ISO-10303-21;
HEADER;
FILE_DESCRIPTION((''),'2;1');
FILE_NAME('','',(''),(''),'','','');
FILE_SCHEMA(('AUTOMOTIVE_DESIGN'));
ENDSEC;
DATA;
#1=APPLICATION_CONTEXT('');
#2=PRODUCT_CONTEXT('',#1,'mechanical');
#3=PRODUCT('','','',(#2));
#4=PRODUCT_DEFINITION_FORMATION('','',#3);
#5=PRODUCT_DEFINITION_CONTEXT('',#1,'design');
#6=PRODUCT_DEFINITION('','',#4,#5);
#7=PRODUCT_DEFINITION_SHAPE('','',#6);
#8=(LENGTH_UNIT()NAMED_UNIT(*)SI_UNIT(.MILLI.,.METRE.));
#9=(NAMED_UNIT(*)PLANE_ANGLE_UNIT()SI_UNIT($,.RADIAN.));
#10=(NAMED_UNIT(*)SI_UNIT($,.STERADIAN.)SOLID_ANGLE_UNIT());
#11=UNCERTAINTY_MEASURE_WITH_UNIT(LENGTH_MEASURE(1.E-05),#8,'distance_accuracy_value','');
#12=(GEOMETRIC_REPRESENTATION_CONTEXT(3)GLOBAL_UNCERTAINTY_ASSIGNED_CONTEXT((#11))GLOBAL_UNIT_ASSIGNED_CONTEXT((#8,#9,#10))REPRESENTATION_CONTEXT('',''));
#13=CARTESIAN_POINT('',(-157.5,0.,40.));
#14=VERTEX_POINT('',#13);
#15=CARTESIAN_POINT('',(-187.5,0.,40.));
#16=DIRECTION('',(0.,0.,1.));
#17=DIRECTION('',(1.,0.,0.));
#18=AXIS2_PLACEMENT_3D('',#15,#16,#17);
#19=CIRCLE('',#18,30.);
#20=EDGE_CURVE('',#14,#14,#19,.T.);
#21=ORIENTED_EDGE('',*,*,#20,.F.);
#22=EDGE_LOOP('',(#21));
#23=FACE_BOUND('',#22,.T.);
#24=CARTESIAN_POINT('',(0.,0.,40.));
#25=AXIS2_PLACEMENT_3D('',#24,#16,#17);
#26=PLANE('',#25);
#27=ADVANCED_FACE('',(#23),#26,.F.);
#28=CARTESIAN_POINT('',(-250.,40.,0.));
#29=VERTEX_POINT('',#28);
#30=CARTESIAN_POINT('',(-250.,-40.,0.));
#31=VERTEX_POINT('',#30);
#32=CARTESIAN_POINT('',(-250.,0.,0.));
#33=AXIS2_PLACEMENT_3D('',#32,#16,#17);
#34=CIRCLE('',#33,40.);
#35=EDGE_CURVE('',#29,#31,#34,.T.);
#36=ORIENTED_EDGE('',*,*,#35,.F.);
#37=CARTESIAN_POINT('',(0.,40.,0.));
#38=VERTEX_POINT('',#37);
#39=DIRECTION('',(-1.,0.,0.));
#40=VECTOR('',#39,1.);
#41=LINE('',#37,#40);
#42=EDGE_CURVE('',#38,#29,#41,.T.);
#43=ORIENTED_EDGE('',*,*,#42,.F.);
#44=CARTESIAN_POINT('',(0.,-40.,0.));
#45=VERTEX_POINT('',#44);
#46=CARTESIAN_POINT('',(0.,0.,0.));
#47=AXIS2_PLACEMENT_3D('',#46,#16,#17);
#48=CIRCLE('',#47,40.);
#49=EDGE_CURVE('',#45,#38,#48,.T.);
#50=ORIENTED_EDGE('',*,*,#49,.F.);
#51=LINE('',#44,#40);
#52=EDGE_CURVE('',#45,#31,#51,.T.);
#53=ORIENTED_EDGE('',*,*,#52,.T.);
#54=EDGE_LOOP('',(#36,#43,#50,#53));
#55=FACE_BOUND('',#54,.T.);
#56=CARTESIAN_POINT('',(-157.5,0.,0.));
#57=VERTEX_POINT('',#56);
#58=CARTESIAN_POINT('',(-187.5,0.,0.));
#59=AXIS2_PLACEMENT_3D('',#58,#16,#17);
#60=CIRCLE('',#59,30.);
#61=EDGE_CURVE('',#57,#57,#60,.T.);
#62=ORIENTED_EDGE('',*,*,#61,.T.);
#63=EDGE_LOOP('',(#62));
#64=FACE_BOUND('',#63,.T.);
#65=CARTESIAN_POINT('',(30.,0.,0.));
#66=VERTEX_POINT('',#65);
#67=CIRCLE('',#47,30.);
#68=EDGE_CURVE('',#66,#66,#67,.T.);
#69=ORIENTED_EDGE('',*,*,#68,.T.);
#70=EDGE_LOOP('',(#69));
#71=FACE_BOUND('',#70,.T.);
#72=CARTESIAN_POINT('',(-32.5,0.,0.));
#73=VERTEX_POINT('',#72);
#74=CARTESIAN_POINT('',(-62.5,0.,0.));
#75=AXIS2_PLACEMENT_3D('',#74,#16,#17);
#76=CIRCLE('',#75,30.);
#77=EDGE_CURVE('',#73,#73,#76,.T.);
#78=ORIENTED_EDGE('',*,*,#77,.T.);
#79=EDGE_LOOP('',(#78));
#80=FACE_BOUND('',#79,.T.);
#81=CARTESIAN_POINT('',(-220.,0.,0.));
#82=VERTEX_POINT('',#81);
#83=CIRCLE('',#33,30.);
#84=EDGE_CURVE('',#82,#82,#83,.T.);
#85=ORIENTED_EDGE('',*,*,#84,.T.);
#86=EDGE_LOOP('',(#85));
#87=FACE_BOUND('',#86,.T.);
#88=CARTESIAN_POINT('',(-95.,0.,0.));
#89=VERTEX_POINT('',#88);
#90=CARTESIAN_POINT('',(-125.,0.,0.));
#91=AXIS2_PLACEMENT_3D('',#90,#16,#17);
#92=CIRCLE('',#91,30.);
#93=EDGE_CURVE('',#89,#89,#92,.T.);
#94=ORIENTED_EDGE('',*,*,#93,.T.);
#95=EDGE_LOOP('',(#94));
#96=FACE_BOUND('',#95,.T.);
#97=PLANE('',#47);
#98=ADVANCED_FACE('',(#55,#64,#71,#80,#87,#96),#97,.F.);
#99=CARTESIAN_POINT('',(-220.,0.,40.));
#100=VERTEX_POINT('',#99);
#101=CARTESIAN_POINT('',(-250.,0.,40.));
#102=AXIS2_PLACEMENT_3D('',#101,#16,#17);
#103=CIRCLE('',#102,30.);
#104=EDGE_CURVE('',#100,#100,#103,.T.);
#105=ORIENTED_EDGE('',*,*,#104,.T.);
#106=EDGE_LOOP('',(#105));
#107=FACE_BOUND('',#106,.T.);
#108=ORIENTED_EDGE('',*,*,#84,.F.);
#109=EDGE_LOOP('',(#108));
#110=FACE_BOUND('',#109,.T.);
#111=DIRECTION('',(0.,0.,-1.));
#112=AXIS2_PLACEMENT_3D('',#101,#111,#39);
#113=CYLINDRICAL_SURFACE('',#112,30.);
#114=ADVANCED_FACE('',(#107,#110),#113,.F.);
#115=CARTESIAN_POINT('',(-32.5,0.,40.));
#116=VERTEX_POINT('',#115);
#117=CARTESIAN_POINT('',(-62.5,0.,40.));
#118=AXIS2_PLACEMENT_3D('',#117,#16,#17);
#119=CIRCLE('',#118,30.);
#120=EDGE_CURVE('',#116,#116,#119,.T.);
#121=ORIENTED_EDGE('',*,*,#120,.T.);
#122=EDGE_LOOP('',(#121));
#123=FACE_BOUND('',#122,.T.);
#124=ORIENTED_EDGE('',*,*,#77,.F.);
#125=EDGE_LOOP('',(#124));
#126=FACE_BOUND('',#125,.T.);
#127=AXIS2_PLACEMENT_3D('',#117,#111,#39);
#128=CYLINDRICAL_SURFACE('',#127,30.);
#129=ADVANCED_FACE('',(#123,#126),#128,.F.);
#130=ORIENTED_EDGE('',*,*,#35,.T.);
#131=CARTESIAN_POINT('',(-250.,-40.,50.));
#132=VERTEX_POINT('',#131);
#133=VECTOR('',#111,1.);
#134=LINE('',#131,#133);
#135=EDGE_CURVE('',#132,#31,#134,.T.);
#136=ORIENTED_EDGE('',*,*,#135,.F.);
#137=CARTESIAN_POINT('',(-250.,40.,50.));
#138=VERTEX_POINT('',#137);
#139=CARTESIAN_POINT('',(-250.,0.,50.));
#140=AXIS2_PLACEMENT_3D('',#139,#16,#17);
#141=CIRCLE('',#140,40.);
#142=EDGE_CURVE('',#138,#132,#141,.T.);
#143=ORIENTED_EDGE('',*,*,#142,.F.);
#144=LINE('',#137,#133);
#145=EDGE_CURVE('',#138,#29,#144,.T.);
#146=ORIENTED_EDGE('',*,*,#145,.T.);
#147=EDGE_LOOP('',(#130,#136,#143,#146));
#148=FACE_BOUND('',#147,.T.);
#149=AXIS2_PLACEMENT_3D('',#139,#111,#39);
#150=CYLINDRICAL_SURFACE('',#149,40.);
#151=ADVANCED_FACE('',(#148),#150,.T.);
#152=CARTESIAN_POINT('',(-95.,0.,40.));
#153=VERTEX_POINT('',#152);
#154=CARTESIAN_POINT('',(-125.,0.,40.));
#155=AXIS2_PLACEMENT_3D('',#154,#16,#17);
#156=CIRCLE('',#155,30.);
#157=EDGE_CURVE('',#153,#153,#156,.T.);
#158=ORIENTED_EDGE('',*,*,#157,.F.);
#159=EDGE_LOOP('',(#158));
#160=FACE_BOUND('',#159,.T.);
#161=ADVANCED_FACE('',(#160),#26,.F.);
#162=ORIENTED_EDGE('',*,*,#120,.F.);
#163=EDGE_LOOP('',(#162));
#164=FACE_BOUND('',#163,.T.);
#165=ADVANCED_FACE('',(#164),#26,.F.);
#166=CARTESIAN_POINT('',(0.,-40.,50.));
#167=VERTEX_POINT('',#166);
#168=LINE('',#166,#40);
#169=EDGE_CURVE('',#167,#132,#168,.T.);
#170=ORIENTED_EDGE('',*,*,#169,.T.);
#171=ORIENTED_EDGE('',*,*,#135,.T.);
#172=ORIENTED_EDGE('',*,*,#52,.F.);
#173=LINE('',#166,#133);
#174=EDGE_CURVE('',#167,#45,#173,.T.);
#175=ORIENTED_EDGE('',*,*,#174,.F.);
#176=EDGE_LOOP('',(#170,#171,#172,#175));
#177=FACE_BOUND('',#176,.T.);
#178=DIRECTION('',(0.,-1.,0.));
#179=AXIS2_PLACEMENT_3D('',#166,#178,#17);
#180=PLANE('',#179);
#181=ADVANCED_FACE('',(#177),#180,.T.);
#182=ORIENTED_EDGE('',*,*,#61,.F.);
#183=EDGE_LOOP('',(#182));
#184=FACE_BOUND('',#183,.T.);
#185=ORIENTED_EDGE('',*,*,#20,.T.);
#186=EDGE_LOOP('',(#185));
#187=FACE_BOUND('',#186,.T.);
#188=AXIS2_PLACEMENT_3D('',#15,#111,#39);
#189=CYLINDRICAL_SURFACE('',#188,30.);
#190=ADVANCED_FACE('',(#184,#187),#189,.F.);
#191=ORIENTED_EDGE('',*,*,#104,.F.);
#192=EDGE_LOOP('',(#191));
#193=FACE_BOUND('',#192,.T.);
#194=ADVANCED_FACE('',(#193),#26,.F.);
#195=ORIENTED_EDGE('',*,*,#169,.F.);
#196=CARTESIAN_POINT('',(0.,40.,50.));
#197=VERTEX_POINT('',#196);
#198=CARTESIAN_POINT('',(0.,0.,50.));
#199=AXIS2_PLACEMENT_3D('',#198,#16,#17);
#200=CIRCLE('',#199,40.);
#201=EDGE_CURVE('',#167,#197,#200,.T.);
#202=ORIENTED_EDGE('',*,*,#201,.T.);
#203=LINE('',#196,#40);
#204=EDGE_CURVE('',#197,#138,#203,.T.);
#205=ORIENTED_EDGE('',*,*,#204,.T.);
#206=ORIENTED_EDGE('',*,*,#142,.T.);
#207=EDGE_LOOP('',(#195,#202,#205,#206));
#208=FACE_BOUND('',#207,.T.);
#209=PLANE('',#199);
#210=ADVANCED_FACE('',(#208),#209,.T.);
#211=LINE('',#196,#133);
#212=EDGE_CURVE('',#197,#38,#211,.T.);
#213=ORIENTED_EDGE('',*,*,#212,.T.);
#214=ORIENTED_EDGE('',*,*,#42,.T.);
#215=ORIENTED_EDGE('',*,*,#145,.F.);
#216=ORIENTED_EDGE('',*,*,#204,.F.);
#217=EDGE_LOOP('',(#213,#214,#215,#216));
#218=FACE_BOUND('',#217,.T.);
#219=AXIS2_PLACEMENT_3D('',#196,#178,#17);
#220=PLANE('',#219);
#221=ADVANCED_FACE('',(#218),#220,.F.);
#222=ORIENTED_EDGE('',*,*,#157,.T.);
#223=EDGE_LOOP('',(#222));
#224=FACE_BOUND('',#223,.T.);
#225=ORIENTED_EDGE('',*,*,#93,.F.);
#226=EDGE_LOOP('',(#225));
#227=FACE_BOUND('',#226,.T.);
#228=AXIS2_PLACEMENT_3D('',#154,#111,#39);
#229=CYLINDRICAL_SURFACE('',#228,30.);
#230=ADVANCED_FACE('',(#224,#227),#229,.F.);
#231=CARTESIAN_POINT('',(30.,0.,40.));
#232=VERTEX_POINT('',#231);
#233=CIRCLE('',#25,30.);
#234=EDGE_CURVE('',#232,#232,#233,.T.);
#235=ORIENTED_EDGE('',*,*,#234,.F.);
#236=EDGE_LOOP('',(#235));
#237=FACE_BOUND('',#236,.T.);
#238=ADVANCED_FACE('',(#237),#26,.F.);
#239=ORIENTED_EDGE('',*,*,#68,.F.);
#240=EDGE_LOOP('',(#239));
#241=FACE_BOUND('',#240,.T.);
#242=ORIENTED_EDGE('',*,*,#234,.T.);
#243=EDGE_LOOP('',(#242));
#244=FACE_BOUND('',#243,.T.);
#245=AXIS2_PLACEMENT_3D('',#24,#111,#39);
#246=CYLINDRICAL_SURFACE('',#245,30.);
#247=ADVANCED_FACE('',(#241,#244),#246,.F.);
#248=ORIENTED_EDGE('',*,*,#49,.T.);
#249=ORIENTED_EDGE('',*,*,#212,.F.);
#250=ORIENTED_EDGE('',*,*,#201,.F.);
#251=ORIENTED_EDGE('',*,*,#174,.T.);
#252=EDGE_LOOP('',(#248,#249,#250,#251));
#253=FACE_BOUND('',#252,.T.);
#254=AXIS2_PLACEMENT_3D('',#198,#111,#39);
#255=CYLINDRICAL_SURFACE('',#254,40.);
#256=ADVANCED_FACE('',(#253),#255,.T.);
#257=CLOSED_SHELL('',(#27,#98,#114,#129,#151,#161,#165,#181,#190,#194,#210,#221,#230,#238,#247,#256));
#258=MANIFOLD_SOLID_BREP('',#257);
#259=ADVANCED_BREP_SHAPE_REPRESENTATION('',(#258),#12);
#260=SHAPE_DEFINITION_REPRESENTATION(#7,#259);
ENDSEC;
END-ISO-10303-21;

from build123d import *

# Parameters (mm, degrees)
EXTRUDE_1_DEPTH     = 50
SKETCH_1_3_R        = 30
CUT_EXTRUDE_1_DEPTH = 40


with BuildPart() as part:
    # 스케치1 → 보스-돌출1 (new body)
    with BuildSketch(Plane.XY):
        with BuildLine():
            Line((-250, -40), (0, -40))
            ThreePointArc((0, -40), (40, 0), (0, 40))
            Line((0, 40), (-250, 40))
            ThreePointArc((-250, 40), (-290, 0), (-250, -40))
        make_face()
    extrude(amount=EXTRUDE_1_DEPTH)

    # 스케치1<3> → 컷-돌출1 (cut)
    with BuildSketch(Plane.XY):
        with Locations((-250, 0)):
            Circle(SKETCH_1_3_R)
        with Locations((-187.5, 0)):
            Circle(SKETCH_1_3_R)
        with Locations((-125, 0)):
            Circle(SKETCH_1_3_R)
        with Locations((-62.5, 0)):
            Circle(SKETCH_1_3_R)
        Circle(SKETCH_1_3_R)
    extrude(amount=CUT_EXTRUDE_1_DEPTH, mode=Mode.SUBTRACT)


solid = part.part
